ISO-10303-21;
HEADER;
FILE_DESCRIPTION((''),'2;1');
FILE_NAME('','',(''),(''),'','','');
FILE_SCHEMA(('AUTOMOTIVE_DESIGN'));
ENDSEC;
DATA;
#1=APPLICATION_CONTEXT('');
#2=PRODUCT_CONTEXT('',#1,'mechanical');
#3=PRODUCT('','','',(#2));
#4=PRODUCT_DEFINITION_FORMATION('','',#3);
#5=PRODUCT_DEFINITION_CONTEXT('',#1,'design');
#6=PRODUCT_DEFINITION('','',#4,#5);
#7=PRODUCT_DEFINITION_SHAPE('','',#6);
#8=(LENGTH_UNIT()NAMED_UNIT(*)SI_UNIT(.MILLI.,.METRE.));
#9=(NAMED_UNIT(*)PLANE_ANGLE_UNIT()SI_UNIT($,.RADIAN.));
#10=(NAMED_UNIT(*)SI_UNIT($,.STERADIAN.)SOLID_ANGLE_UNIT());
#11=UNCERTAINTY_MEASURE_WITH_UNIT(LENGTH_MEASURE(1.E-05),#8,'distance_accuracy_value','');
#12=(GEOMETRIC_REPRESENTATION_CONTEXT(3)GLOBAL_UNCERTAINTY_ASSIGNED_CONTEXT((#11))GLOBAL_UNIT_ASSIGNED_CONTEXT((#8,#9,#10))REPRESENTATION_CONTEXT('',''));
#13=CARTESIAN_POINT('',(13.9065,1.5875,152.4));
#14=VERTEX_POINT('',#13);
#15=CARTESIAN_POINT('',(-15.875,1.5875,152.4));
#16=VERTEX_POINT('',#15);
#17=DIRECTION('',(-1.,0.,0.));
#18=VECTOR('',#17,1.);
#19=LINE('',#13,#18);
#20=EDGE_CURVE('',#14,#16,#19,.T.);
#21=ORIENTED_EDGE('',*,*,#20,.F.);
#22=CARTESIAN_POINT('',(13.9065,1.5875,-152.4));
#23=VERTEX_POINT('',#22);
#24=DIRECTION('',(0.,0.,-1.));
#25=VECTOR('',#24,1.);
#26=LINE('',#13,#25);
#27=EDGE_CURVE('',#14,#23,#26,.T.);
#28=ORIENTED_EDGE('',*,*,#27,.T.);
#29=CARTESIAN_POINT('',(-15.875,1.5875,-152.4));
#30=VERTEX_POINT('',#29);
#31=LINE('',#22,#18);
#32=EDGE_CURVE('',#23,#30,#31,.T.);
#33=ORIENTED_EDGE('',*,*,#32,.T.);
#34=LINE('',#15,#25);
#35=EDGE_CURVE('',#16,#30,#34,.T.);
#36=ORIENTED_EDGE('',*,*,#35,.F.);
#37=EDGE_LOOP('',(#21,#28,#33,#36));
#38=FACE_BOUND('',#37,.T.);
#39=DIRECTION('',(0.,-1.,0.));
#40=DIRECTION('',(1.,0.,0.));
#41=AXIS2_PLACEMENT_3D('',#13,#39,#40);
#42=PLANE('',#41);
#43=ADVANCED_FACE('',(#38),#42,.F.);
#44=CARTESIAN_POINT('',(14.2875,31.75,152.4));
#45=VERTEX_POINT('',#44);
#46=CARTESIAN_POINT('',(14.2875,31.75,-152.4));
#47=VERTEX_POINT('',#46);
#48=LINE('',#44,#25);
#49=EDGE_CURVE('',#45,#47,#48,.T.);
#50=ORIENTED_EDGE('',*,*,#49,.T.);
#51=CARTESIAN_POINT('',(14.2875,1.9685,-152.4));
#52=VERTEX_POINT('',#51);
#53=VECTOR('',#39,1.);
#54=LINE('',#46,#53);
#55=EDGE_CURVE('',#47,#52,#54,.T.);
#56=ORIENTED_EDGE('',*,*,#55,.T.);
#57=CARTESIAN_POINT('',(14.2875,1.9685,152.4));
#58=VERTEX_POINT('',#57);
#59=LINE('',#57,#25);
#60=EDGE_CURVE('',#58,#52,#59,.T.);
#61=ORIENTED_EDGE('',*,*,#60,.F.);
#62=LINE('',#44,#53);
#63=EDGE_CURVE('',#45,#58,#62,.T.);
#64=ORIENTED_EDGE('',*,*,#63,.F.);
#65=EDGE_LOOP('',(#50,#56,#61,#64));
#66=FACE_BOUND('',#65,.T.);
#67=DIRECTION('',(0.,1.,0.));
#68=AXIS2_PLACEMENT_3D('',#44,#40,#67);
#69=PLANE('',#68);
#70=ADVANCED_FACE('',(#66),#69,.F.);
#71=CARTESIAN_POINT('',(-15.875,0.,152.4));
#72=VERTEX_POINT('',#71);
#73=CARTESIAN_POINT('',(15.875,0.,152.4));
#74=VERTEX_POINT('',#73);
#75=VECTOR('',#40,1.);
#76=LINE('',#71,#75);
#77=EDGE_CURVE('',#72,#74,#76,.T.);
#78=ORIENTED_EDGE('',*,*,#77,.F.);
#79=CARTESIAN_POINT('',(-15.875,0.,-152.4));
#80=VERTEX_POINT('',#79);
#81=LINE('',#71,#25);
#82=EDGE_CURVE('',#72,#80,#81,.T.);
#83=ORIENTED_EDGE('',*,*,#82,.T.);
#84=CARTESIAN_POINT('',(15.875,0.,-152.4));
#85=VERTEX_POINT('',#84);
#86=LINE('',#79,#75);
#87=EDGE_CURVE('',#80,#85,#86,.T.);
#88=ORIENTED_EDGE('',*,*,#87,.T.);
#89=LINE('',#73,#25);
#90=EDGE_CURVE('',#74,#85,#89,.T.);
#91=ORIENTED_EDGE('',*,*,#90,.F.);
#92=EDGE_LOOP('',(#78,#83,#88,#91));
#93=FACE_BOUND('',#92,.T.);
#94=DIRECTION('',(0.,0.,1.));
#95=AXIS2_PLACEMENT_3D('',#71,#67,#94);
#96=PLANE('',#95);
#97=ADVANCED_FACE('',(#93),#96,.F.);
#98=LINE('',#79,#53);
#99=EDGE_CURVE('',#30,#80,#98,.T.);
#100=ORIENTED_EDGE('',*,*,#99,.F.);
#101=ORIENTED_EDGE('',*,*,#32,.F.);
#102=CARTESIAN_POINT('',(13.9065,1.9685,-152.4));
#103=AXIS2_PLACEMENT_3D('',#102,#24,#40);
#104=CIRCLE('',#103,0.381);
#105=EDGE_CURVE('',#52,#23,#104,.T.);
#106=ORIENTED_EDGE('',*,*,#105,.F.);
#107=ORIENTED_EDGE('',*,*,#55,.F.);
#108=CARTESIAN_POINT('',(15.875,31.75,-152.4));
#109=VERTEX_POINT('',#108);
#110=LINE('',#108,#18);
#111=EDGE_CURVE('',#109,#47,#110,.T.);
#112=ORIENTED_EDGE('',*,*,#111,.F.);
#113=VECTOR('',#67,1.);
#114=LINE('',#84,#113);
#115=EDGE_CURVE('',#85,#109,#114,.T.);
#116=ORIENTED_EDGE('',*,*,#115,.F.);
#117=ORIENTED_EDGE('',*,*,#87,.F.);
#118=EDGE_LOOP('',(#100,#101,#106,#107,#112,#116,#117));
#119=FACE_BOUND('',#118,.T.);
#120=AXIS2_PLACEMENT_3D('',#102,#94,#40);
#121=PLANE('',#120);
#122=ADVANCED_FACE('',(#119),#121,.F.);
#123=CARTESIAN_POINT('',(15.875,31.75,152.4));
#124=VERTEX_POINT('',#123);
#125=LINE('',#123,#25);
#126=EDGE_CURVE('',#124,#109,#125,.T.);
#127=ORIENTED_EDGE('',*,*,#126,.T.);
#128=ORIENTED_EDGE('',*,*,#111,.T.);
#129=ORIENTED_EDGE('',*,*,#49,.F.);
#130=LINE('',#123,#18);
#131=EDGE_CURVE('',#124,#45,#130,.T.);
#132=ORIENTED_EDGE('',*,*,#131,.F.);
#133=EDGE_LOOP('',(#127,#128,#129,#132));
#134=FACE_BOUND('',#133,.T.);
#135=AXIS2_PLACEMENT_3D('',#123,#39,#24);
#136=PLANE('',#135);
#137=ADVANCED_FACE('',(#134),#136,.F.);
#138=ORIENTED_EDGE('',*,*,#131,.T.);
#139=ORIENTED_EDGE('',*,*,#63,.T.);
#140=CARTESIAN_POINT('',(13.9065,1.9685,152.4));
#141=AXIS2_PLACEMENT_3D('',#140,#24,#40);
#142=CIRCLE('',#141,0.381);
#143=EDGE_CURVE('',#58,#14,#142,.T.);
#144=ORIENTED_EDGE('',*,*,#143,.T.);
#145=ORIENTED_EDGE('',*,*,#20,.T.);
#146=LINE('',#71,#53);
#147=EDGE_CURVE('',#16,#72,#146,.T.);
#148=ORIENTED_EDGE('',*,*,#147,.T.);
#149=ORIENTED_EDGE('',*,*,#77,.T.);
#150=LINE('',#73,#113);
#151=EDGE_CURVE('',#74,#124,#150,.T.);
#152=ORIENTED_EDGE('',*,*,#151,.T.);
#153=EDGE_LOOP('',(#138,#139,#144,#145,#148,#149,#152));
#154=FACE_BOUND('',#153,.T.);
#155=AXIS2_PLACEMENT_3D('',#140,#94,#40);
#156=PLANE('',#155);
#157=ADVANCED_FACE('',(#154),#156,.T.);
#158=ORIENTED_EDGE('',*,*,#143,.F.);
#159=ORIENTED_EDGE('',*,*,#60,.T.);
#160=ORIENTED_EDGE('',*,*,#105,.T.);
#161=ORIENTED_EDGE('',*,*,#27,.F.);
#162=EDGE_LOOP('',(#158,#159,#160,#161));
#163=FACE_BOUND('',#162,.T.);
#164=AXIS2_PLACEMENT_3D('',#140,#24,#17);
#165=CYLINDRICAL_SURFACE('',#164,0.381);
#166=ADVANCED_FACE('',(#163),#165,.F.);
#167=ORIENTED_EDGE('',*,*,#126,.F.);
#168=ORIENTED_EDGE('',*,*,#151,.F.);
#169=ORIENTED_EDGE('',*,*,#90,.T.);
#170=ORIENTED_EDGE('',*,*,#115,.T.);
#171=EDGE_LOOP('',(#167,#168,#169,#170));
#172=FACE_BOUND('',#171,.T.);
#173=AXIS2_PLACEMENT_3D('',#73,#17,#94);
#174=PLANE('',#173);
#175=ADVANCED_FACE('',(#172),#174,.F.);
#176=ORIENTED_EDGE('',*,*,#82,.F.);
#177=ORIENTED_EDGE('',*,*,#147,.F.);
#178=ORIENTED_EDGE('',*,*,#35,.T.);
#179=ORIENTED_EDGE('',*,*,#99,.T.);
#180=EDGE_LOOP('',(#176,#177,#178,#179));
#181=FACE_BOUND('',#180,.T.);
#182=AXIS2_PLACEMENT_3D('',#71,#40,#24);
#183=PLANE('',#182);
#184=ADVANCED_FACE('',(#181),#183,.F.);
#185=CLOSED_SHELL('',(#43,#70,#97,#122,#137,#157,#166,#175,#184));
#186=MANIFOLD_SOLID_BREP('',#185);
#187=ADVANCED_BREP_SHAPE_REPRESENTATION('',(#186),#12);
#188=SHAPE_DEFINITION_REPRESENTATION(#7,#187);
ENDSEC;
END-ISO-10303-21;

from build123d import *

# Parameters (mm, degrees)
BOSS_EXTRUDE1_DEPTH = 152.4


with BuildPart() as part:
    # Sketch2 → Boss-Extrude1 (new, symmetric)
    with BuildSketch(Plane.XY):
        with BuildLine():
            Line((-15.875, 0), (15.875, 0))
            Line((15.875, 0), (15.875, 31.75))
            Line((15.875, 31.75), (14.2875, 31.75))
            Line((14.2875, 31.75), (14.2875, 1.9685))
            ThreePointArc((14.2875, 1.9685), (14.175907684, 1.699092316), (13.9065, 1.5875))
            Line((13.9065, 1.5875), (-15.875, 1.5875))
            Line((-15.875, 1.5875), (-15.875, 0))
        make_face()
    extrude(amount=BOSS_EXTRUDE1_DEPTH, both=True)


solid = part.part
